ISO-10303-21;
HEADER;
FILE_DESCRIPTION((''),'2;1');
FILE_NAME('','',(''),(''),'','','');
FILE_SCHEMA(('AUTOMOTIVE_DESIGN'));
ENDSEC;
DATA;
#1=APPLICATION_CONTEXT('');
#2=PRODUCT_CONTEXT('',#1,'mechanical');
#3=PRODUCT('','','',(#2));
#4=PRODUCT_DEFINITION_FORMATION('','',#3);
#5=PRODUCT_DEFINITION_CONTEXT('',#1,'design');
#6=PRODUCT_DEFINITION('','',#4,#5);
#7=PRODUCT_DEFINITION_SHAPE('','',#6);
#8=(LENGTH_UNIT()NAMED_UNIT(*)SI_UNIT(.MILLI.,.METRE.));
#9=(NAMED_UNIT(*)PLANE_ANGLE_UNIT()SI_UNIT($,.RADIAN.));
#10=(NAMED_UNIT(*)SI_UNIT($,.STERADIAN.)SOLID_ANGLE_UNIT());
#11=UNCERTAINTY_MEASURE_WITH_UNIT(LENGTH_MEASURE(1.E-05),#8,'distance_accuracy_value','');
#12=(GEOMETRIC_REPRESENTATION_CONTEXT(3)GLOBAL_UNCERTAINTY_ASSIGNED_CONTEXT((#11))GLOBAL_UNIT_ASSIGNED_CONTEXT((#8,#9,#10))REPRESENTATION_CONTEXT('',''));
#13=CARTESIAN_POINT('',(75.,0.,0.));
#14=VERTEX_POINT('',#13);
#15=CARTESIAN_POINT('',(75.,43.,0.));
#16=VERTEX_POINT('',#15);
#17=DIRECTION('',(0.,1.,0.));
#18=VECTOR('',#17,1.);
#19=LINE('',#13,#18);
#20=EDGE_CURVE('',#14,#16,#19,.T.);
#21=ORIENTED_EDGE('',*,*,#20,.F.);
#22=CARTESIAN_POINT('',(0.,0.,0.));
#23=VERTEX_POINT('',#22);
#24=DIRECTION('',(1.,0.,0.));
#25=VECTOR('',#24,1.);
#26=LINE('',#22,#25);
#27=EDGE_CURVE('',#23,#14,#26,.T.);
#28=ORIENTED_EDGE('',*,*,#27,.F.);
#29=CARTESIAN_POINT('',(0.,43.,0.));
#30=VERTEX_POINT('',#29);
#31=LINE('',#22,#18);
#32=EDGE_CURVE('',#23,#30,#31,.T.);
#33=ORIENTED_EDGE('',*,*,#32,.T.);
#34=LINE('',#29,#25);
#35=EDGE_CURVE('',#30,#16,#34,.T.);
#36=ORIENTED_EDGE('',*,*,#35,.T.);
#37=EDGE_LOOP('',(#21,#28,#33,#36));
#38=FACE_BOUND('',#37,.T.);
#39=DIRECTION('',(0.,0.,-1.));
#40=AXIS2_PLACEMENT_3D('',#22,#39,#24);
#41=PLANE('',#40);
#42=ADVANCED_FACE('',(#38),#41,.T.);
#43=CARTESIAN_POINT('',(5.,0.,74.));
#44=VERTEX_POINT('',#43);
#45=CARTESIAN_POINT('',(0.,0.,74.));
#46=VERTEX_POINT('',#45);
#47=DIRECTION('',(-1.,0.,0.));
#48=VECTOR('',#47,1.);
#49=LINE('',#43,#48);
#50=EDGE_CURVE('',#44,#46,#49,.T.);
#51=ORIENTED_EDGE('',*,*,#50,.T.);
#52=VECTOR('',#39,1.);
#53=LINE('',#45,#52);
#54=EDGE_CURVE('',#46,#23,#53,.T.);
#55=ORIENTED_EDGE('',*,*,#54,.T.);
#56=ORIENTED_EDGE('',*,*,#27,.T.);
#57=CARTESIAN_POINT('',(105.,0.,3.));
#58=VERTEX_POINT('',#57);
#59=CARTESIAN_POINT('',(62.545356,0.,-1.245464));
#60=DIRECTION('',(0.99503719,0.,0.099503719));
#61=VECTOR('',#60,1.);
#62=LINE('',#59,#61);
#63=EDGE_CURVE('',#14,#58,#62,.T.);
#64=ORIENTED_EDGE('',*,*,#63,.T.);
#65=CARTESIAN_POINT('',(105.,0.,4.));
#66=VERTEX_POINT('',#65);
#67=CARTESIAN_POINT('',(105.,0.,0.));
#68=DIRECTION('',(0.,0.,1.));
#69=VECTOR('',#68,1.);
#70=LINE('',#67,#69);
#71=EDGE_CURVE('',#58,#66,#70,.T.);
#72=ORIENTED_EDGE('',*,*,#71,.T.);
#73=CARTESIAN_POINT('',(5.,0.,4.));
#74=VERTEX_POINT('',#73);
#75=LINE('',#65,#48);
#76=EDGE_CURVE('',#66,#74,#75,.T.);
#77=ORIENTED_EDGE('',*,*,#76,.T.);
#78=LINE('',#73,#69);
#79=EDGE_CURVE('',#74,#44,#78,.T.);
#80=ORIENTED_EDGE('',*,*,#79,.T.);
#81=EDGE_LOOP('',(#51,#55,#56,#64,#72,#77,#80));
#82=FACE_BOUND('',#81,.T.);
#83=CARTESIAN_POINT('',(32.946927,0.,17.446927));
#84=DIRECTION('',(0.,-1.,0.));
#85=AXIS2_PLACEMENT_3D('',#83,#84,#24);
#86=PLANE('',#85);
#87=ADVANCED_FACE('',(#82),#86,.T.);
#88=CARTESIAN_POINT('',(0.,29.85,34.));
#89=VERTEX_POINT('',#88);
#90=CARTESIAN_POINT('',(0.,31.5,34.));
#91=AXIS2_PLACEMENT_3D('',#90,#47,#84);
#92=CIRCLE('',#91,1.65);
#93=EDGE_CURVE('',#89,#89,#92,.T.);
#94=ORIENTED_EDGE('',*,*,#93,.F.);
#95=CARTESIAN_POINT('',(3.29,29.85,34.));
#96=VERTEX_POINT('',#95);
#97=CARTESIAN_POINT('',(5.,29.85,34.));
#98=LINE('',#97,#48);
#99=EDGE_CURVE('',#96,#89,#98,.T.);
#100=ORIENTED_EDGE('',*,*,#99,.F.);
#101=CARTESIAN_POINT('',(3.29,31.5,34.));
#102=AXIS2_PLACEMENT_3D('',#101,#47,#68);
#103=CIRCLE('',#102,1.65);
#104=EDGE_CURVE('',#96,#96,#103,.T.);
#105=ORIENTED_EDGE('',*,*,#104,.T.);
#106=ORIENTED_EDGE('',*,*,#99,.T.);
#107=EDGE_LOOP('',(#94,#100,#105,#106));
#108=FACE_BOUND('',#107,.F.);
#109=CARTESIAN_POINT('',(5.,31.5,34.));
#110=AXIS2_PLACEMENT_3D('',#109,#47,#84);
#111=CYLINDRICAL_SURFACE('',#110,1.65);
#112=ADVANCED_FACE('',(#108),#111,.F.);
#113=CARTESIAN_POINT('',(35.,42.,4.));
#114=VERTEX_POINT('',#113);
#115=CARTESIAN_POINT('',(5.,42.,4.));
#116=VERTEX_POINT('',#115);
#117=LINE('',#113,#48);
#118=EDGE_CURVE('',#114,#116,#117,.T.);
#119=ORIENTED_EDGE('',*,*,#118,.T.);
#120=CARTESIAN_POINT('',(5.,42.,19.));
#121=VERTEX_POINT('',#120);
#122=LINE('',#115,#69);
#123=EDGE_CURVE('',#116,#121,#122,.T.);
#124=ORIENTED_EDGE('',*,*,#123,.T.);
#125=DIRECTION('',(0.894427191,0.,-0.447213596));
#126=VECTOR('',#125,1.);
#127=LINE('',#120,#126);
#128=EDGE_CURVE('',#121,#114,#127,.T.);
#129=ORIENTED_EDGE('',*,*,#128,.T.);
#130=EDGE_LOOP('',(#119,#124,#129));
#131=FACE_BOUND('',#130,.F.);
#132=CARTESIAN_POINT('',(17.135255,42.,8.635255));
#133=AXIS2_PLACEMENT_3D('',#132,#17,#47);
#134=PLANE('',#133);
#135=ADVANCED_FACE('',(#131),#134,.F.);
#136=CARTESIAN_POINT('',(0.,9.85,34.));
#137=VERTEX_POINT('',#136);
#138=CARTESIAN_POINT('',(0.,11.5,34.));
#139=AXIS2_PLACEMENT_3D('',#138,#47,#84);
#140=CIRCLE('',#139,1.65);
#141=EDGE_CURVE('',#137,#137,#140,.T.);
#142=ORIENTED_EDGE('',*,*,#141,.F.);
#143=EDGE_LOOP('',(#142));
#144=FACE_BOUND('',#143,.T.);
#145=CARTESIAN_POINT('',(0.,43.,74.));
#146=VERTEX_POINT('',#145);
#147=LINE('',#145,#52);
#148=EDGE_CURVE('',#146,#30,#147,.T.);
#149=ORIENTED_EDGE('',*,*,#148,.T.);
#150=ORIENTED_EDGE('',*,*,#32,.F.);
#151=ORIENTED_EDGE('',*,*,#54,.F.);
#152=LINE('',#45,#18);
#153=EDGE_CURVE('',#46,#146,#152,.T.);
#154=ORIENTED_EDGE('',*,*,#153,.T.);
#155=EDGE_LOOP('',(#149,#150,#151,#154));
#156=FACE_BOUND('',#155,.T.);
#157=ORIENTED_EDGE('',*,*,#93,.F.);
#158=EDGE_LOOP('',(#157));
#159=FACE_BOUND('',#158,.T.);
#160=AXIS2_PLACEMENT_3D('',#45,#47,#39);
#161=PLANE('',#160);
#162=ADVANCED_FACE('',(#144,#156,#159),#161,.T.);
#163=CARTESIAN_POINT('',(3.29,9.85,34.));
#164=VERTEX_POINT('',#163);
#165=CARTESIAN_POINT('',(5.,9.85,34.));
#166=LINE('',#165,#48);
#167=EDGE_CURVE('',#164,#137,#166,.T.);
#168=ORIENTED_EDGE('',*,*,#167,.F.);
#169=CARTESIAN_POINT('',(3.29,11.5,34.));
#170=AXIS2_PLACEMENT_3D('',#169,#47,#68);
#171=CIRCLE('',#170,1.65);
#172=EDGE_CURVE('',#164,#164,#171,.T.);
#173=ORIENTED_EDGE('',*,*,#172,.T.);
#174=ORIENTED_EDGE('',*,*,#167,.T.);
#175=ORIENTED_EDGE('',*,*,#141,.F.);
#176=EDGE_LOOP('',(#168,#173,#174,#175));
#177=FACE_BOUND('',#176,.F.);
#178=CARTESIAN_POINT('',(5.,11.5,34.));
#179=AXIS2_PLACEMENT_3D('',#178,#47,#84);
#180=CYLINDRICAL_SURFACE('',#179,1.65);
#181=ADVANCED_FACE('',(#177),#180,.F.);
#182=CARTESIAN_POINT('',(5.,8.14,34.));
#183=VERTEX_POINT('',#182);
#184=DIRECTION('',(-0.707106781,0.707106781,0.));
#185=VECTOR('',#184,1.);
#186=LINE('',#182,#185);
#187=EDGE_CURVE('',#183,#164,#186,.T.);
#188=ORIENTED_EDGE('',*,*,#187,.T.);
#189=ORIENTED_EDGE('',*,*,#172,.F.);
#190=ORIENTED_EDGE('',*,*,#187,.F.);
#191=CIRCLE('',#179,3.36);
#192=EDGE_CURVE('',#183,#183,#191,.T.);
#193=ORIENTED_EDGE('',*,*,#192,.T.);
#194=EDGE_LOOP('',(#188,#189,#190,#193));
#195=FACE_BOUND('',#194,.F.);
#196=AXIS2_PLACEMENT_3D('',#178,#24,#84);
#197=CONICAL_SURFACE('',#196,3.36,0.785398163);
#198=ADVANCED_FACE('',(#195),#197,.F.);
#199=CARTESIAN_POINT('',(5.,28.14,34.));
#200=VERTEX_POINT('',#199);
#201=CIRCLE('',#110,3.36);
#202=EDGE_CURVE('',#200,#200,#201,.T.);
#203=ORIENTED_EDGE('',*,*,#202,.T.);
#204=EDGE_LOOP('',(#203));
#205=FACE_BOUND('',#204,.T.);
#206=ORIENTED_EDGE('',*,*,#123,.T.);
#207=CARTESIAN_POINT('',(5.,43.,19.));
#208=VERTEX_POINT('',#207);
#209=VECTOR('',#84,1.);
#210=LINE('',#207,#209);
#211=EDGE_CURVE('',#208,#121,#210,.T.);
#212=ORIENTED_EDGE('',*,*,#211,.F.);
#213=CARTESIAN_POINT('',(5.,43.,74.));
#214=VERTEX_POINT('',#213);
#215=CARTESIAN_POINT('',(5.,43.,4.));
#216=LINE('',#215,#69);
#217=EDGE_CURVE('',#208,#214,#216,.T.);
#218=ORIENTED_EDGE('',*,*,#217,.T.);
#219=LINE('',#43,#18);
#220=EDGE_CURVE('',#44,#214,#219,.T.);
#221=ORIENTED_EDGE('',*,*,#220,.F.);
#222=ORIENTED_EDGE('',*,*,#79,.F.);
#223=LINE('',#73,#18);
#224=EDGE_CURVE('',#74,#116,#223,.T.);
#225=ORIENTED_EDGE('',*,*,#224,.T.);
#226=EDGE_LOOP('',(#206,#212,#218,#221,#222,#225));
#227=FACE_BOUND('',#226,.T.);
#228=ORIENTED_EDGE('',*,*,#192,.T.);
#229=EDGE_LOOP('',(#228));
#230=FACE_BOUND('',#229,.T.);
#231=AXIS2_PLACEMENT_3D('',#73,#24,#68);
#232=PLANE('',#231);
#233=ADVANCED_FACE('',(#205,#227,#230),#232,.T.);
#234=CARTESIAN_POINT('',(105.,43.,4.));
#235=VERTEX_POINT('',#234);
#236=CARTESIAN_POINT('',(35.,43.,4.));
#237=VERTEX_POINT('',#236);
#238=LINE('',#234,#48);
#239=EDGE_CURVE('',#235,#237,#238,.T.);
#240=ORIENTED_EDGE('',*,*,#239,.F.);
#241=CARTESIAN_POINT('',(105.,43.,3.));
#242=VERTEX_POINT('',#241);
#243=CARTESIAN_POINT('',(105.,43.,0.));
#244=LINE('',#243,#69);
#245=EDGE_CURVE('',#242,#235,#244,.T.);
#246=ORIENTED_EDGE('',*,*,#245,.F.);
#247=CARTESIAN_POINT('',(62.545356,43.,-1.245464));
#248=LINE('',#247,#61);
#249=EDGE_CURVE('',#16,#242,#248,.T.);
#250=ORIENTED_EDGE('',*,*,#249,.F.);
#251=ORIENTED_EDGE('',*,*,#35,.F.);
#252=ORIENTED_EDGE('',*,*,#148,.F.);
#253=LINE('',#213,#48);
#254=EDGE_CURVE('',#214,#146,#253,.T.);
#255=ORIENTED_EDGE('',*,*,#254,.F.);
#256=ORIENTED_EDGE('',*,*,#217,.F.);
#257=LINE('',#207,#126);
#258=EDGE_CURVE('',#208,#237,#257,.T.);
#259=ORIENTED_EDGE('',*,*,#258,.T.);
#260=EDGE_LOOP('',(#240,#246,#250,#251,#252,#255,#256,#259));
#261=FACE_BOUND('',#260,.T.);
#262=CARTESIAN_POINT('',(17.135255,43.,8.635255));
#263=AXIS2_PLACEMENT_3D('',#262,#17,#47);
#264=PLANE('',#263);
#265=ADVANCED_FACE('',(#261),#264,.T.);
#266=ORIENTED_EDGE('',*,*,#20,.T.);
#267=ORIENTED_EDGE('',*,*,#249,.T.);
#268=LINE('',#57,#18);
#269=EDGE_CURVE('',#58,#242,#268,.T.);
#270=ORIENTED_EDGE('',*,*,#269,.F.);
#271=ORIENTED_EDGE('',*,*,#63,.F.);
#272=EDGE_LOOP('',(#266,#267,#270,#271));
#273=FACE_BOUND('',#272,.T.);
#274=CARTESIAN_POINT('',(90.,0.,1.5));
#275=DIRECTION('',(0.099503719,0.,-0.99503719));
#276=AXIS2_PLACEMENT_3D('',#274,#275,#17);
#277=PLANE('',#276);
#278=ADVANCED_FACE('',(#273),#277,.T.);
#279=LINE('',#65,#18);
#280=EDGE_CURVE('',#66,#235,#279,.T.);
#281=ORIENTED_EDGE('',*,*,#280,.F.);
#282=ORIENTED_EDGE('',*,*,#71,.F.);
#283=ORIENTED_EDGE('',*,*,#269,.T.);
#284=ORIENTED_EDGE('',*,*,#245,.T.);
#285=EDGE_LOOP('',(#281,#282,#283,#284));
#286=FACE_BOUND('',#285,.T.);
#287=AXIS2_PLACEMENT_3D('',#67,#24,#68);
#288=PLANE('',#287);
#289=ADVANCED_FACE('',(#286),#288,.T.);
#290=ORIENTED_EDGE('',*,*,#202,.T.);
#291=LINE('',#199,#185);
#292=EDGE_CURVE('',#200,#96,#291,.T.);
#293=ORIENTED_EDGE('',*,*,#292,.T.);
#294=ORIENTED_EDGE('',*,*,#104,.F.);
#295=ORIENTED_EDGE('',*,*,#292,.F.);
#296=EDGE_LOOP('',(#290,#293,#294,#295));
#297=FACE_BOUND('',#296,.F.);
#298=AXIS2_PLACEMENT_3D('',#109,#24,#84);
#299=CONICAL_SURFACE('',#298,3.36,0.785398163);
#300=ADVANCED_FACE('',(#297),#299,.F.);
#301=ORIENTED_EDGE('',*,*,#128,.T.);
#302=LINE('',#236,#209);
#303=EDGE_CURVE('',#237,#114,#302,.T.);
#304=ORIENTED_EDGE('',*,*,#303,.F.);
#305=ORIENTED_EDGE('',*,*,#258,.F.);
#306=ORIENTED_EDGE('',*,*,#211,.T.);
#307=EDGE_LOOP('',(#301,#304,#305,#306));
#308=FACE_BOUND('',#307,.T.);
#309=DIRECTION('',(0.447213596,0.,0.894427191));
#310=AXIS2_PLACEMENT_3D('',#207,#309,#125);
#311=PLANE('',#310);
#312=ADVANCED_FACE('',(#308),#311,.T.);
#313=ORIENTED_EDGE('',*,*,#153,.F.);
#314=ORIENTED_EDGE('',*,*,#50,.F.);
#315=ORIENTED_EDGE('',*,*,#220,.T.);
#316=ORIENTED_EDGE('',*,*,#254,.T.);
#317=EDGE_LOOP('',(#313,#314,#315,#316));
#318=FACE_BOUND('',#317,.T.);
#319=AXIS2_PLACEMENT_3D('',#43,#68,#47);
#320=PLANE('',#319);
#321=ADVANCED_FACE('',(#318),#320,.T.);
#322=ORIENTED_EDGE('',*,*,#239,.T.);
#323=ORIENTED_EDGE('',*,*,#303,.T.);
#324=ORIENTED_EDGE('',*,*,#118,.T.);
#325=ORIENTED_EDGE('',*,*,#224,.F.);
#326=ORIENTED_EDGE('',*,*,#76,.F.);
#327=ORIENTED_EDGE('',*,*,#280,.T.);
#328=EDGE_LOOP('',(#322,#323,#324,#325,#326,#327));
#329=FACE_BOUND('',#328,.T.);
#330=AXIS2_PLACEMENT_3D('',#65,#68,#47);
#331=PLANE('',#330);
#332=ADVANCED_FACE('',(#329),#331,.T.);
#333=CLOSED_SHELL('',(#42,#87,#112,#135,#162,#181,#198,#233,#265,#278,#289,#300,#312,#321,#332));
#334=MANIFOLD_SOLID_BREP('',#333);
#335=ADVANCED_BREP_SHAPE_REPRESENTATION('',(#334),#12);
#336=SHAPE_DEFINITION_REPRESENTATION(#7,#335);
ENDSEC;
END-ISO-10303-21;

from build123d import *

# Parameters (mm, degrees)
F1_DEPTH       = 43
F3_D           = 3.3
F3_CSINK_D     = 6.72
F3_CSINK_ANGLE = 90
F4_SIZE2       = 3
F4_SIZE        = 30
F6_DEPTH       = 1


with BuildPart() as f1:
    # F0 (on Front) → F1 (new body)
    with BuildSketch(Plane.XZ):
        Polygon((0, 74), (0, 0), (105, 0), (105, 4), (5, 4), (5, 74), align=None)
    extrude(amount=-F1_DEPTH)

    # F3 (through all)
    with Locations(Plane.YZ.offset(5)):
        with Locations((31.5, 34), (11.5, 34)):
            CounterSinkHole(F3_D / 2, F3_CSINK_D / 2, counter_sink_angle=F3_CSINK_ANGLE)

    # F4
    f4_edges = [f1.edges().sort_by_distance(p)[0] for p in [
        (105, 21.5, 0),
    ]]
    f4_side = f1.faces().sort_by_distance((52.5, 21.5, 0))[0]
    chamfer(f4_edges, length=F4_SIZE, length2=F4_SIZE2, reference=f4_side)

    # F5 (on face) → F6 (join)
    with BuildSketch(Plane(origin=(0, 43, 0), x_dir=(-1, 0, 0), z_dir=(0, 1, 0))):
        Polygon((-35, 4), (-5, 4), (-5, 19), align=None)
    extrude(amount=-F6_DEPTH)


solid = f1.part
